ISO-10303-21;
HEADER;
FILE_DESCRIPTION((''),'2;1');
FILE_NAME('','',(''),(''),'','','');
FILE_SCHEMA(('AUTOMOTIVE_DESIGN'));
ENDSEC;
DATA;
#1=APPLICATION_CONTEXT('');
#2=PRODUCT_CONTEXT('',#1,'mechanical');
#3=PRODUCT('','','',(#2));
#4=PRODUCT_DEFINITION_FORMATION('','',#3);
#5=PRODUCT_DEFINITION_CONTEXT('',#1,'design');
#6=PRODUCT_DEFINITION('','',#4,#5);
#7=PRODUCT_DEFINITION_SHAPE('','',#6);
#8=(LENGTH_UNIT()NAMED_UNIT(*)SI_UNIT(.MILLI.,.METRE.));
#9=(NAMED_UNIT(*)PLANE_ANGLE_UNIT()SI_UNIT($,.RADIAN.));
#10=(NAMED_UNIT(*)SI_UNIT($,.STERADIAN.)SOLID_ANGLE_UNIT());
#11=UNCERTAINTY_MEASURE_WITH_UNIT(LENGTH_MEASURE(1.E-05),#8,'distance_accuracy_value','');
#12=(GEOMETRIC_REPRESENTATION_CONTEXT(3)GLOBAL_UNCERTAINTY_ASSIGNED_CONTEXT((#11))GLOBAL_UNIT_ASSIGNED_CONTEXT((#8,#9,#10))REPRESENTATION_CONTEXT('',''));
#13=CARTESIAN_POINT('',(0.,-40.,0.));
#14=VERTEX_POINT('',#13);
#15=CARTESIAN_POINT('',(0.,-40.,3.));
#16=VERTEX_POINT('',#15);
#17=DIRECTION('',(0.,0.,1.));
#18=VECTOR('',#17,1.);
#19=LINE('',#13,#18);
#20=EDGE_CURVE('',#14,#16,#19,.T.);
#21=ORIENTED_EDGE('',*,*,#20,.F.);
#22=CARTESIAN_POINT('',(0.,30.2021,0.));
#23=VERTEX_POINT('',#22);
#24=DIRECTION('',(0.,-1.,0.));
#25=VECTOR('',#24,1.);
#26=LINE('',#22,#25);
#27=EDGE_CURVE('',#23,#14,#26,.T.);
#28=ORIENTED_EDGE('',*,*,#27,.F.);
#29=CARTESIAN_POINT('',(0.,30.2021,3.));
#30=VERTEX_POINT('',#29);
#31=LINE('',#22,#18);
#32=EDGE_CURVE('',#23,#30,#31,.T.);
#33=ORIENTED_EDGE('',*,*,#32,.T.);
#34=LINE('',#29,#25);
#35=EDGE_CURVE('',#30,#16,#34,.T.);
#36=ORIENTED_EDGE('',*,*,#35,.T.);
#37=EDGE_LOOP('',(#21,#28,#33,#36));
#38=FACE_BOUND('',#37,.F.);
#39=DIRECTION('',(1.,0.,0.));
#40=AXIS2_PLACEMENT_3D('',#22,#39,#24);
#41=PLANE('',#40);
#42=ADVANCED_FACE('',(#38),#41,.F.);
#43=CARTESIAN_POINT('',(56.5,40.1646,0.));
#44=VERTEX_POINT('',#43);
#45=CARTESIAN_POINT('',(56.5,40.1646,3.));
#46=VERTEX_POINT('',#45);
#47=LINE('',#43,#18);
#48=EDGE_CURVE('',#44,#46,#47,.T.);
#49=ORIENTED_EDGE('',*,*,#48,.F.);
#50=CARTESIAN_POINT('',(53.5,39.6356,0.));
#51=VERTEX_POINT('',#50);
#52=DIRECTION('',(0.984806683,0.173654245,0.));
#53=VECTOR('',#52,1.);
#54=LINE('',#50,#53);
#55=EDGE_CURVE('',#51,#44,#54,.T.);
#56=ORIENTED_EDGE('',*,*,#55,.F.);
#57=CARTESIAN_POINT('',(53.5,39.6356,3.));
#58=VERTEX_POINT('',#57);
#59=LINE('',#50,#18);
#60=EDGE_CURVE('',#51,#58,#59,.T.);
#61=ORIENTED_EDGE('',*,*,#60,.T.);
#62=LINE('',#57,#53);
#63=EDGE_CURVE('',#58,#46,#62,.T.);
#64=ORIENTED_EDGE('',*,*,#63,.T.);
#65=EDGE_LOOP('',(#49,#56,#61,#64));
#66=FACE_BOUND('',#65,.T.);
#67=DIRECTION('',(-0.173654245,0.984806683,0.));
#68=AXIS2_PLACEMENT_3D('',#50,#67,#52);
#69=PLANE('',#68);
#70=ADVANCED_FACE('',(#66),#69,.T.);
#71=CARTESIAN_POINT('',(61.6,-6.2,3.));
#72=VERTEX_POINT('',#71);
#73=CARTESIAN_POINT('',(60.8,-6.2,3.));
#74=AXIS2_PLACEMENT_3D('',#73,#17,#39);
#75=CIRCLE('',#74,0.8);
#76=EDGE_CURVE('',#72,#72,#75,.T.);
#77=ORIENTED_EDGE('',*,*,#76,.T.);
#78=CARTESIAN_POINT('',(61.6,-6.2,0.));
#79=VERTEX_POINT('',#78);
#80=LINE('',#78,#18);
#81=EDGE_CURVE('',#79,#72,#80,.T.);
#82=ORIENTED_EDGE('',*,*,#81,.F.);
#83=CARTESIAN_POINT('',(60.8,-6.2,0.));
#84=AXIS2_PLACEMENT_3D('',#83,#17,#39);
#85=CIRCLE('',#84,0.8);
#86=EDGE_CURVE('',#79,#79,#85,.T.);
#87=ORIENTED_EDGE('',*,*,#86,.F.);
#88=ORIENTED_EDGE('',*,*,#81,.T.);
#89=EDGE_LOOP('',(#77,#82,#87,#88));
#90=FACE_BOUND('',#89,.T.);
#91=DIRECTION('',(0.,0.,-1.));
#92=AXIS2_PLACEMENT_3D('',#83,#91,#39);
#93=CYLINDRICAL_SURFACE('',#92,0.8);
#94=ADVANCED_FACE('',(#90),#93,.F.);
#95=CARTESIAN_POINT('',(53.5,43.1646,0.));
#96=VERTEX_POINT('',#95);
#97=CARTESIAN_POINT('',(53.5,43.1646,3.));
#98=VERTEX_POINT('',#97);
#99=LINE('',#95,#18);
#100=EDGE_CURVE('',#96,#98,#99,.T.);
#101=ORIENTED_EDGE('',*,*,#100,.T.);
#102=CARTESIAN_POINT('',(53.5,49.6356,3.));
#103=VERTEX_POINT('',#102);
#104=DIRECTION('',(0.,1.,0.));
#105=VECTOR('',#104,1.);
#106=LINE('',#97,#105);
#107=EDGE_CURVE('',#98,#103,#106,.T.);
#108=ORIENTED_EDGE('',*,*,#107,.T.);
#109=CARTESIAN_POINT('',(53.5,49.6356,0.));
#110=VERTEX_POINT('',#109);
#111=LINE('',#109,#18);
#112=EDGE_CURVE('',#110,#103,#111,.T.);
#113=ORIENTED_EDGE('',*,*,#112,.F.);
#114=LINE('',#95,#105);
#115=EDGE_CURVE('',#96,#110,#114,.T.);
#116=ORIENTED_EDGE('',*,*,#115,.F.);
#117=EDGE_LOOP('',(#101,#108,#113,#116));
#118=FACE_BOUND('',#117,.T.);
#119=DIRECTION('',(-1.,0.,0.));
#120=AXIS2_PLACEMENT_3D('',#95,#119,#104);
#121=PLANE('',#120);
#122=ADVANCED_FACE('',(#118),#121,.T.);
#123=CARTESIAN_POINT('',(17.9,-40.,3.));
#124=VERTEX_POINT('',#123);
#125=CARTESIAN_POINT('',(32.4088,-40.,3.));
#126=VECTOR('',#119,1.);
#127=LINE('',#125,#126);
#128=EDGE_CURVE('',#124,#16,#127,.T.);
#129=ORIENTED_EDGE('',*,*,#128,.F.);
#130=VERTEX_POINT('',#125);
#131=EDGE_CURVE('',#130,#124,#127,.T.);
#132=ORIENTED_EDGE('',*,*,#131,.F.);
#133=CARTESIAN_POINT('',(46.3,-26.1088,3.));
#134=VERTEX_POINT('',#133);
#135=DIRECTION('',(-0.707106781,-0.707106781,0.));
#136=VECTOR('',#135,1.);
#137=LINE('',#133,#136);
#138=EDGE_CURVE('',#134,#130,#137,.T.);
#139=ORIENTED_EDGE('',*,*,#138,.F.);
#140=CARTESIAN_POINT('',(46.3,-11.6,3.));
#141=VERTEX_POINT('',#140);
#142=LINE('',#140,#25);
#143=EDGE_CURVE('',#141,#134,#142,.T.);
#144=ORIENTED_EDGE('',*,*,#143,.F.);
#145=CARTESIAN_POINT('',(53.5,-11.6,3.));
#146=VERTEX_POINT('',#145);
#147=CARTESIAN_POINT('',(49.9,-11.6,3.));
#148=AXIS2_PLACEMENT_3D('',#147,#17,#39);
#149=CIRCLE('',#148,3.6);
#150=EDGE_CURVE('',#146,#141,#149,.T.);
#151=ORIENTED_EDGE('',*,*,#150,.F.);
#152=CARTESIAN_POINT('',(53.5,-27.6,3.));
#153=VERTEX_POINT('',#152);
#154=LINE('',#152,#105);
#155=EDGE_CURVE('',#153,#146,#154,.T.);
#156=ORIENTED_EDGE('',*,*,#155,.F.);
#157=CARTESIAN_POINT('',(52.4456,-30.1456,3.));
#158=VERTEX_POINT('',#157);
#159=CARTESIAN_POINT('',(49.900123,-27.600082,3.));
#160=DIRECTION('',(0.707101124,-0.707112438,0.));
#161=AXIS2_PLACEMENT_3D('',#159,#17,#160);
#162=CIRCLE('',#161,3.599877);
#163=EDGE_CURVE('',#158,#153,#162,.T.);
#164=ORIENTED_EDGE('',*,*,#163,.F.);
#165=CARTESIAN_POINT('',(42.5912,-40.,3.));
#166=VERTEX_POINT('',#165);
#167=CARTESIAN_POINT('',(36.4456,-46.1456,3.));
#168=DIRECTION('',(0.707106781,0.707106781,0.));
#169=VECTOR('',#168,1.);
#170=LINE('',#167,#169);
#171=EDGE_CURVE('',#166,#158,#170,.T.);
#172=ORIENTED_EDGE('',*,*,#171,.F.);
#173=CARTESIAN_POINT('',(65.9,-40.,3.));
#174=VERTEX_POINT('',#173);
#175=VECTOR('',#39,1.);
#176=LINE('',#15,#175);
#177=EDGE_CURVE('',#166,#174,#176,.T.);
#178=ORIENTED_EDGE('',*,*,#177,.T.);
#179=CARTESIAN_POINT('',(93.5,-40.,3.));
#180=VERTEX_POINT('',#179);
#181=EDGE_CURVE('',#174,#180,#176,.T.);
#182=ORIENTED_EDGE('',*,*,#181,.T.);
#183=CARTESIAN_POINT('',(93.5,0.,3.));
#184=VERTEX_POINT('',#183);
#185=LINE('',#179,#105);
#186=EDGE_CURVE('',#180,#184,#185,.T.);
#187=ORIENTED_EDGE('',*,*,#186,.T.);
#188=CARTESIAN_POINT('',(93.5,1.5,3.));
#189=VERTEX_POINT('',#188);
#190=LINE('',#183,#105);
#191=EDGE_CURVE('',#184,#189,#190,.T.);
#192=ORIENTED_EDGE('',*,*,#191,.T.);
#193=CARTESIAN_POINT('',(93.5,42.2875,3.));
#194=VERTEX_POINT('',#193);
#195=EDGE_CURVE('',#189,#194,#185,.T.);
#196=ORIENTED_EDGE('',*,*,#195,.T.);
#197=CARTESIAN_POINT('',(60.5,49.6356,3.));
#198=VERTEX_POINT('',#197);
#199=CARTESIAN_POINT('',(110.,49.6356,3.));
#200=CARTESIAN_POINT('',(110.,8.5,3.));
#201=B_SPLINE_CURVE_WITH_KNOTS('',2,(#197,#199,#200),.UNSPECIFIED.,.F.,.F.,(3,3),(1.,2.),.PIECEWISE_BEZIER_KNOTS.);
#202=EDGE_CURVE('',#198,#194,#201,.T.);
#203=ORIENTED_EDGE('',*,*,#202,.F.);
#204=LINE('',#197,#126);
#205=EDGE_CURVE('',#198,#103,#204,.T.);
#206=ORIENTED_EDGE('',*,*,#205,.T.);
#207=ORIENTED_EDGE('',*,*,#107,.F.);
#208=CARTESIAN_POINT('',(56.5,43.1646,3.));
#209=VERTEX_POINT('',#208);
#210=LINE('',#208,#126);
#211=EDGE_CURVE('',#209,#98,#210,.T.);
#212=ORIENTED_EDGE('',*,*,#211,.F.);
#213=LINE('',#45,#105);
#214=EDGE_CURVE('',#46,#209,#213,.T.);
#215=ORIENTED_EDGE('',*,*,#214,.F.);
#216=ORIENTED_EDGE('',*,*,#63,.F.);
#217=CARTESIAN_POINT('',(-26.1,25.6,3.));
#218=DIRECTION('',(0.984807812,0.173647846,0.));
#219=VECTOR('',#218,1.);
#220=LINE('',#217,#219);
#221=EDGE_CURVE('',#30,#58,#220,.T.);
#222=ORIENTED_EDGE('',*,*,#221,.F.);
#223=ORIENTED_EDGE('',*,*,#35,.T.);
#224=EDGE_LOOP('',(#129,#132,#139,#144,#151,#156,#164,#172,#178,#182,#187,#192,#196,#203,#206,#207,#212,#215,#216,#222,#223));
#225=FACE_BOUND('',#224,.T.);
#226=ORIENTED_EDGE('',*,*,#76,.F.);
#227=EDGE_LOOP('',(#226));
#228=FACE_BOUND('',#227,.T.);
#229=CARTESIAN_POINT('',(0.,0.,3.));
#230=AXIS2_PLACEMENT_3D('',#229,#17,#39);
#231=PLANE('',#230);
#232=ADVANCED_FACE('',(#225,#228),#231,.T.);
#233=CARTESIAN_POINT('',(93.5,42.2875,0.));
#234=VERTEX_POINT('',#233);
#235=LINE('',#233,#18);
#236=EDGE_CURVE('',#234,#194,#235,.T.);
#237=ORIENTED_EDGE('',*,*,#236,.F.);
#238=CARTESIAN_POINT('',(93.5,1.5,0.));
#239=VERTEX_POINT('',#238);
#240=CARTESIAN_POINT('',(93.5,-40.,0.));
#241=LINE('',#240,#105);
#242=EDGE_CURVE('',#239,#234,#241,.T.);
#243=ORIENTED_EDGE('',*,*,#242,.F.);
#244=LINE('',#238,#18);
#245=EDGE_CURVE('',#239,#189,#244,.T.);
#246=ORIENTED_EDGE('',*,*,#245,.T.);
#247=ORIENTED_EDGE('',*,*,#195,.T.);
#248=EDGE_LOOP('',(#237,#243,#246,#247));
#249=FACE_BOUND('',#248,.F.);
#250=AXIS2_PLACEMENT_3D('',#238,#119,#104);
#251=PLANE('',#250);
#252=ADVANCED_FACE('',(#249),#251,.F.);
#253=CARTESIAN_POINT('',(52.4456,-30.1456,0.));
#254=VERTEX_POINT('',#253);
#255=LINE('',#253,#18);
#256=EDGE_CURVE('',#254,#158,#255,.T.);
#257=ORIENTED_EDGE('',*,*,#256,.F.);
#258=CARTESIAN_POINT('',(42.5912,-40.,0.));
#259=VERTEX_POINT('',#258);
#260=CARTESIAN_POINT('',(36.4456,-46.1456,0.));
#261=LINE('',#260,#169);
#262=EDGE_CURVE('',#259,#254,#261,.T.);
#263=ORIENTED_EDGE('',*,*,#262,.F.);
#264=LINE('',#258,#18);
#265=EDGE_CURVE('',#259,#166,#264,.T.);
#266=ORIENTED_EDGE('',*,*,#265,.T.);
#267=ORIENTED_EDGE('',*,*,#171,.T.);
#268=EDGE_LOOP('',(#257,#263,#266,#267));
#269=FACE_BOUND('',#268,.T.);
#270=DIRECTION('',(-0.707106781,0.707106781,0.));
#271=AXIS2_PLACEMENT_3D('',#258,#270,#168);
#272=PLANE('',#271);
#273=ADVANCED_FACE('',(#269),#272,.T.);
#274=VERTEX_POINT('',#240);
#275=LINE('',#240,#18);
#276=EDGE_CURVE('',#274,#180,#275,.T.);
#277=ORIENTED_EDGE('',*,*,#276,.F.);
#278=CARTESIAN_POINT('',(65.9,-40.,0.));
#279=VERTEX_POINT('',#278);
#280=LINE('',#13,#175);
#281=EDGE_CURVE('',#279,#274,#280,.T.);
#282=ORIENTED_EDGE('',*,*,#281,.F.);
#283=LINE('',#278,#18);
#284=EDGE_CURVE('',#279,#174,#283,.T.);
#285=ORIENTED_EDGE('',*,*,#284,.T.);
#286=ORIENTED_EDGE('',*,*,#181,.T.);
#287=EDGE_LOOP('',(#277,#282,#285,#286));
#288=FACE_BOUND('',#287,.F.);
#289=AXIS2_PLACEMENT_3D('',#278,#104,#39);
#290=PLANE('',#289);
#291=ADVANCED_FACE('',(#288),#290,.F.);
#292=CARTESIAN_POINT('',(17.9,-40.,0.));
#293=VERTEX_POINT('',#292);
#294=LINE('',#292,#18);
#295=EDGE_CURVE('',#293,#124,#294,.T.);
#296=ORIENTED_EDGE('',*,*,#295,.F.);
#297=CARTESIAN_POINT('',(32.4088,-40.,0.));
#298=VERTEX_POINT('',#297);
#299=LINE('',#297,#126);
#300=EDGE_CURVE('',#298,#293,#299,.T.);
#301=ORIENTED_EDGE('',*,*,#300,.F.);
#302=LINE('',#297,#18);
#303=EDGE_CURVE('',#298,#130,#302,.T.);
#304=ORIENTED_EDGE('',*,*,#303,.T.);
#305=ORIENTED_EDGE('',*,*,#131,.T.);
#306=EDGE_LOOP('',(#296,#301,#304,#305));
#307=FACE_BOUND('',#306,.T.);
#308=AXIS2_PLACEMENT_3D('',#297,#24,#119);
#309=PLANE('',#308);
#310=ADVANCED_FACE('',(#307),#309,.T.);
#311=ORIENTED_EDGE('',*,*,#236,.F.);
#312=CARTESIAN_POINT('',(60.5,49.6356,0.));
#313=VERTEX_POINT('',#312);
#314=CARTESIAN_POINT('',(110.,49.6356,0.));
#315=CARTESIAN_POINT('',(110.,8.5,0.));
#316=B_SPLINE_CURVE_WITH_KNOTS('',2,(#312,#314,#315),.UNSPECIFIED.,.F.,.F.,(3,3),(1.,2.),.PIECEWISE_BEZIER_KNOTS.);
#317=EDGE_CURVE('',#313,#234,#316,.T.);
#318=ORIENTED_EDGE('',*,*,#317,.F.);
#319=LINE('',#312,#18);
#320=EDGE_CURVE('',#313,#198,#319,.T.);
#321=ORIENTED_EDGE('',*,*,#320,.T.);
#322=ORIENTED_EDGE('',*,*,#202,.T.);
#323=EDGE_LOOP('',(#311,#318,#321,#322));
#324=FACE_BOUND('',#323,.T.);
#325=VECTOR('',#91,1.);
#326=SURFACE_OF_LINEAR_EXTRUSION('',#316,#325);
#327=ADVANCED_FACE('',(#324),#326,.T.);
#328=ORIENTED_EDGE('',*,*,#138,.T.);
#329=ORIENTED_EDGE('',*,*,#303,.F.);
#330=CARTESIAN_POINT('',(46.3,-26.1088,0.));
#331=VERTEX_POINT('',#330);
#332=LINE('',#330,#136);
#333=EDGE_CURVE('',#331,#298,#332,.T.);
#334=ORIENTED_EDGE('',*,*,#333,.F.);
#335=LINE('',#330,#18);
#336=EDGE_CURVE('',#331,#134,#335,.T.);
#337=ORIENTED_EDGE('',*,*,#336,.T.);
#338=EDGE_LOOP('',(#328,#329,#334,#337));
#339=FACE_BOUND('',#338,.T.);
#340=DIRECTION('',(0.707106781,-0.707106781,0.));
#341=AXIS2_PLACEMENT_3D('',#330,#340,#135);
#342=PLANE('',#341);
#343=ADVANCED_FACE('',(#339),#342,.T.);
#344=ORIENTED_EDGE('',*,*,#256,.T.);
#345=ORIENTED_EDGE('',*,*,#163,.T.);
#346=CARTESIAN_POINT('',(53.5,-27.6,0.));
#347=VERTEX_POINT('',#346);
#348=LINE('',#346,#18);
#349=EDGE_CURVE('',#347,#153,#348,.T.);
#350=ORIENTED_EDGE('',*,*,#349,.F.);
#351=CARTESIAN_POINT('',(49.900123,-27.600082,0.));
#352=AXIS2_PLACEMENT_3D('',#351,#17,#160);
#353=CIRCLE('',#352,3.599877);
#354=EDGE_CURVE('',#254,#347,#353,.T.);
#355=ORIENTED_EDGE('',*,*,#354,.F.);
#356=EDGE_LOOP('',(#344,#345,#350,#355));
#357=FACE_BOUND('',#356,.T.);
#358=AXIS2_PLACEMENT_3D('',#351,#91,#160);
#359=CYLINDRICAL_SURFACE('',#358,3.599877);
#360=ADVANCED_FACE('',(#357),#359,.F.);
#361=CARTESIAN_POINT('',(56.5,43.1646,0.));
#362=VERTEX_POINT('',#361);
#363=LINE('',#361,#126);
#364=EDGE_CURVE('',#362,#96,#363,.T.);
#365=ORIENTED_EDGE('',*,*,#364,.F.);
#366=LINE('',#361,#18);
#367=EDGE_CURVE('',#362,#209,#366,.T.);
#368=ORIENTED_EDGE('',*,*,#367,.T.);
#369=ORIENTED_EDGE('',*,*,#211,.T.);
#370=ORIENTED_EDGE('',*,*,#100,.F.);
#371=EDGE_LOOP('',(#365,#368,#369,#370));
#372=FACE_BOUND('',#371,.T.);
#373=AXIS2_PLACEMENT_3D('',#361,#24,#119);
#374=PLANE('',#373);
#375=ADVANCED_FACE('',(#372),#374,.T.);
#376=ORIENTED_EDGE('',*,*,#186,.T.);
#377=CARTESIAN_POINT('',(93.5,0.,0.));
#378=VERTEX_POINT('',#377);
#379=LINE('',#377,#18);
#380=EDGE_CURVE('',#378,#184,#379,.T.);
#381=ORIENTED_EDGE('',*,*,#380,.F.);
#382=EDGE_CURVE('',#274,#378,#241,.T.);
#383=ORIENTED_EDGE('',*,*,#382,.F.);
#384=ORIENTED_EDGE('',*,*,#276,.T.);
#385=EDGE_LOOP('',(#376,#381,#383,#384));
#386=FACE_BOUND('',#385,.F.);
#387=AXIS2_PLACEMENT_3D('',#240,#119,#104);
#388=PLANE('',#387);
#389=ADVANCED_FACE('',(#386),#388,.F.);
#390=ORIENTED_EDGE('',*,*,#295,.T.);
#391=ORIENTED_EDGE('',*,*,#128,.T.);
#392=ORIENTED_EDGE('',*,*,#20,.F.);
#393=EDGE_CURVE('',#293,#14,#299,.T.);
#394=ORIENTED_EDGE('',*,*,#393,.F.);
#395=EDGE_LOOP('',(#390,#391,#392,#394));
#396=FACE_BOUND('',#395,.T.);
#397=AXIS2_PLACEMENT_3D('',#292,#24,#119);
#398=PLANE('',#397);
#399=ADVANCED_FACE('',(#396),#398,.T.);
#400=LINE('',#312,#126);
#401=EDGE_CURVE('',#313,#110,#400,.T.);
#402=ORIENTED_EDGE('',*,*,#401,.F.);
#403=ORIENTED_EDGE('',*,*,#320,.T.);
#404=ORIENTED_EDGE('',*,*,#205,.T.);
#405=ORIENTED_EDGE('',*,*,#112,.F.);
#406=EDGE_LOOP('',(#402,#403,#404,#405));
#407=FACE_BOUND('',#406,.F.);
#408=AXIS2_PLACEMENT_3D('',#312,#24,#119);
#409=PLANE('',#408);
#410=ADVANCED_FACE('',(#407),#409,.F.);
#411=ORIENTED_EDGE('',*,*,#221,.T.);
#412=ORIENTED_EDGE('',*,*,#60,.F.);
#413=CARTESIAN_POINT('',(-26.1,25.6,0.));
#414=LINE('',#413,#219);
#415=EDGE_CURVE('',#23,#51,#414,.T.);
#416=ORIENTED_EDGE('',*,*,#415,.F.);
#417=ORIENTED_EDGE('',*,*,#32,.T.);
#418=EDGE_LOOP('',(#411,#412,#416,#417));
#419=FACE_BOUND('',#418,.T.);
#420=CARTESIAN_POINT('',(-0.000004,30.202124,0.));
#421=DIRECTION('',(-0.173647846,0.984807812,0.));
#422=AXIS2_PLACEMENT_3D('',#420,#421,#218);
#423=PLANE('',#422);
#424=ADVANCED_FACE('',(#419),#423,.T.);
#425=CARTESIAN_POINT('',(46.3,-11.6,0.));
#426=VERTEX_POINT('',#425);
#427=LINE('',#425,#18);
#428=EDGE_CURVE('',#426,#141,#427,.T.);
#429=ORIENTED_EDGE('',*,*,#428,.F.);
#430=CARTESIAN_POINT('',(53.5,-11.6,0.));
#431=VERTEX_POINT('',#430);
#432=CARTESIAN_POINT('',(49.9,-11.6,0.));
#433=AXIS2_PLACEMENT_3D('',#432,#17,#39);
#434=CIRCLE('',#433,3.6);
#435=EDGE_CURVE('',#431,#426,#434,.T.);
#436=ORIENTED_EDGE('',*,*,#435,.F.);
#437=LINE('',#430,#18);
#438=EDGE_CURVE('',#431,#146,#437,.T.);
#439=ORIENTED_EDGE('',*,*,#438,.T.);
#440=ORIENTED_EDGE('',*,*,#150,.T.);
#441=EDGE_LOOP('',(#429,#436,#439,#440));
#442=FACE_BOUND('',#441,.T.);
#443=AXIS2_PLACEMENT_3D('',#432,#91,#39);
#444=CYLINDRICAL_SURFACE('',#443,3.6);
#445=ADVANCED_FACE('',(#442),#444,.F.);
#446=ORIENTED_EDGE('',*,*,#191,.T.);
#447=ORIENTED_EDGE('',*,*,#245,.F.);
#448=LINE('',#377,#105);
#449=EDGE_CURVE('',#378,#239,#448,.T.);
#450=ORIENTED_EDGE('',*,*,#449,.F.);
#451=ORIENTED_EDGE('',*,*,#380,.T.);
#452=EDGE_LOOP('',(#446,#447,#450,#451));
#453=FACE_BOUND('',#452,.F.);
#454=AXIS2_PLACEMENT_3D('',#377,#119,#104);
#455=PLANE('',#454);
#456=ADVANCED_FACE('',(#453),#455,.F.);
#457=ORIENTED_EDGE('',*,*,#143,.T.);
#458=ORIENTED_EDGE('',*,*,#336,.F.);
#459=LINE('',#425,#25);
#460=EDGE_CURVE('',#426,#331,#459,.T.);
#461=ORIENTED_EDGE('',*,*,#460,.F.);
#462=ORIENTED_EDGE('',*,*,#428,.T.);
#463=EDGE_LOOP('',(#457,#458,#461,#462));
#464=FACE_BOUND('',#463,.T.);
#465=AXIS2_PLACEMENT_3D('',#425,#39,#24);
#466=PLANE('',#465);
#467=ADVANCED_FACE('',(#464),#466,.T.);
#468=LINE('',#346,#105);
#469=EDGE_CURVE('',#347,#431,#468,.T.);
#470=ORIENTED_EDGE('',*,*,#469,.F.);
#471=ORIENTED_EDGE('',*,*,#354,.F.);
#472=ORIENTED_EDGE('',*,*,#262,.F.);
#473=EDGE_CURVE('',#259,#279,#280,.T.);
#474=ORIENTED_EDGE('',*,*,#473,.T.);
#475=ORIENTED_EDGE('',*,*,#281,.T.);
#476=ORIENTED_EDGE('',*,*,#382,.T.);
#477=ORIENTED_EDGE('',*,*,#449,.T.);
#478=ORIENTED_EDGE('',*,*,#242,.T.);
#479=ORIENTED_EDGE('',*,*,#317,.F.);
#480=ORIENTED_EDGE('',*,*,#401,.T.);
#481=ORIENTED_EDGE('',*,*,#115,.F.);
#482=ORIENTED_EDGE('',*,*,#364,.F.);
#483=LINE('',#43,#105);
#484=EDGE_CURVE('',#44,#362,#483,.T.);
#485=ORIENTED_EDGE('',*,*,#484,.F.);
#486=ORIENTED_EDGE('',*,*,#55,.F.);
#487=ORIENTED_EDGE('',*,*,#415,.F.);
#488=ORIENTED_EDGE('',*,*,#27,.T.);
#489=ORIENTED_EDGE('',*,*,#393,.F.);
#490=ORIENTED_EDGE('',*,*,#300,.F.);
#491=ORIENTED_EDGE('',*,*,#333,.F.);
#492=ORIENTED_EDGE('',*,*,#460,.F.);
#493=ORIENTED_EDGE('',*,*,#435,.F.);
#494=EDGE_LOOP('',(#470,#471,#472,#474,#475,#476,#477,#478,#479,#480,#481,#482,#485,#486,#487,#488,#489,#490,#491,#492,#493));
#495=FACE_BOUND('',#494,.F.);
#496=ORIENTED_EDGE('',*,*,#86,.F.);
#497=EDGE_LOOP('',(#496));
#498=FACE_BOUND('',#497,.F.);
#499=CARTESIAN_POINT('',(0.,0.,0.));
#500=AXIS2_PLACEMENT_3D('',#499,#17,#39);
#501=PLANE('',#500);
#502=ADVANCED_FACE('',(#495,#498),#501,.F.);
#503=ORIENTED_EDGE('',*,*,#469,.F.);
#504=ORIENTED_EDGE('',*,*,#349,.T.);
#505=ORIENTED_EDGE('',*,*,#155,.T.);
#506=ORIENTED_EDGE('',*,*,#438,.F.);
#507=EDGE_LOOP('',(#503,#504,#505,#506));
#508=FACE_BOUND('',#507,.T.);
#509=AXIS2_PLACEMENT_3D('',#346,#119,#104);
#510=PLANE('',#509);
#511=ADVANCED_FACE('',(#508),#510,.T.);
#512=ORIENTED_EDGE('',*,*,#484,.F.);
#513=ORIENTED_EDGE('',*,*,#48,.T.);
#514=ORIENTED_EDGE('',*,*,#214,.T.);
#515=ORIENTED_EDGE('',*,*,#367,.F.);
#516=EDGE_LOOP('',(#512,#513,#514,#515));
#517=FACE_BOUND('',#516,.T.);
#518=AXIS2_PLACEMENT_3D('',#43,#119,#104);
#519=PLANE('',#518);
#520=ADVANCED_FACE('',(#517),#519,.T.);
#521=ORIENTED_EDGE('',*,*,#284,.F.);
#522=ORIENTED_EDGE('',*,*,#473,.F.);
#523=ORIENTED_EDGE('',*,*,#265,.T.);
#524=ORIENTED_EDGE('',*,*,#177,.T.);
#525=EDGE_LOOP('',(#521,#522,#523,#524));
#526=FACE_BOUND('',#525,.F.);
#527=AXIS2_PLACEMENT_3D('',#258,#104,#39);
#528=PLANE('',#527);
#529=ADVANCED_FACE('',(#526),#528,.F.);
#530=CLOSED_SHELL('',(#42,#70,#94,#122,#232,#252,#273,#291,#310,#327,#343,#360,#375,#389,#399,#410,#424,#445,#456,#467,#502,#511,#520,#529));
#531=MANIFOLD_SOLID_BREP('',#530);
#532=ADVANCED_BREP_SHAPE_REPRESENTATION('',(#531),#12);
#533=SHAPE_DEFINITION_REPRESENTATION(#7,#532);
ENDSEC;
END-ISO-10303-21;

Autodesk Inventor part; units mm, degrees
ref_plane "YZ Plane" through (0, 0, 0) normal (1, 0, 0) x (0, 1, 0)
ref_plane "XZ Plane" through (0, 0, 0) normal (0, 1, 0) x (-1, 0, 0)
ref_plane "XY Plane" through (0, 0, 0) normal (0, 0, 1) x (1, 0, 0)
sketch "Esboço1" plane through (0, 0, 0) normal (0, 0, 1) x (1, 0, 0)
  line L0 (-2.1, 0) -> (-2.1, 1.5) projected
  line L1 (93.5, 0) -> (93.5, 1.5) projected
  line L2 (32.4088, -40) -> (-14.1, -40) projected
  line L3 (0, -40) -> (93.5, -40)
  line L4 (93.5, -40) -> (93.5, 42.2875)
  line L5 (60.5, 49.6356) -> (53.5, 49.6356)
  line L6 (0, 30.2021) -> (0, -40)
  arc A0 (53.5, -11.6) -> (46.3, -11.6) centre (49.9, -11.6) ccw projected
  line L7 (46.3, -11.6) -> (46.3, -26.1088) projected
  line L8 (53.5, -27.6) -> (53.5, -11.6) projected
  arc A1 (52.4456, -30.1456) -> (53.5, -27.6) centre (49.9, -27.6) ccw projected
  line L9 (36.4456, -46.1456) -> (52.4456, -30.1456) projected
  line L10 (46.3, -26.1088) -> (32.4088, -40) projected
  line L11 (65.9, -40) -> (17.9, -40) projected
  circle A2 centre (60.8, -6.2) radius 0.8 projected
  line L12 (-26.1, 0) -> (-26.1, 1.5) projected
  line L13 (-26.1, 25.6) -> (53.5, 39.6356)
  line L14 (53.5, 43.1646) -> (53.5, 49.6356)
  line L15 (53.5, 49.6356) -> (60.5, 49.6356)
  line L16 (110, 1.5) -> (110, 8.5)
  line L17 (60.5, 49.6356) -> (110, 49.6356) construction
  line L18 (110, 49.6356) -> (110, 8.5) construction
  spline S0 degree 2 poles (60.5, 49.6356) (110, 49.6356) (110, 8.5) knots 1 1 1 2 2 2
  line L19 (53.5, 39.6356) -> (56.5, 40.1646)
  line L20 (56.5, 40.1646) -> (56.5, 43.1646)
  line L21 (56.5, 43.1646) -> (53.5, 43.1646)
  point P0 (0, 0)
  point P1 (42.5912, -40)
  dimension "d3" = 10
  dimension "d5" = 7
  dimension "d6" = 7
  dimension "d7" = 3
extrude "Extrusão1" add sketch "Esboço1" along normal blind 3 contours L4 L3 L9 A1 L8 A0 L7 L10 L2 L6 L13 L19 L20 L21 L14 L5 S0 L1
properties part number "lateral_V2"
